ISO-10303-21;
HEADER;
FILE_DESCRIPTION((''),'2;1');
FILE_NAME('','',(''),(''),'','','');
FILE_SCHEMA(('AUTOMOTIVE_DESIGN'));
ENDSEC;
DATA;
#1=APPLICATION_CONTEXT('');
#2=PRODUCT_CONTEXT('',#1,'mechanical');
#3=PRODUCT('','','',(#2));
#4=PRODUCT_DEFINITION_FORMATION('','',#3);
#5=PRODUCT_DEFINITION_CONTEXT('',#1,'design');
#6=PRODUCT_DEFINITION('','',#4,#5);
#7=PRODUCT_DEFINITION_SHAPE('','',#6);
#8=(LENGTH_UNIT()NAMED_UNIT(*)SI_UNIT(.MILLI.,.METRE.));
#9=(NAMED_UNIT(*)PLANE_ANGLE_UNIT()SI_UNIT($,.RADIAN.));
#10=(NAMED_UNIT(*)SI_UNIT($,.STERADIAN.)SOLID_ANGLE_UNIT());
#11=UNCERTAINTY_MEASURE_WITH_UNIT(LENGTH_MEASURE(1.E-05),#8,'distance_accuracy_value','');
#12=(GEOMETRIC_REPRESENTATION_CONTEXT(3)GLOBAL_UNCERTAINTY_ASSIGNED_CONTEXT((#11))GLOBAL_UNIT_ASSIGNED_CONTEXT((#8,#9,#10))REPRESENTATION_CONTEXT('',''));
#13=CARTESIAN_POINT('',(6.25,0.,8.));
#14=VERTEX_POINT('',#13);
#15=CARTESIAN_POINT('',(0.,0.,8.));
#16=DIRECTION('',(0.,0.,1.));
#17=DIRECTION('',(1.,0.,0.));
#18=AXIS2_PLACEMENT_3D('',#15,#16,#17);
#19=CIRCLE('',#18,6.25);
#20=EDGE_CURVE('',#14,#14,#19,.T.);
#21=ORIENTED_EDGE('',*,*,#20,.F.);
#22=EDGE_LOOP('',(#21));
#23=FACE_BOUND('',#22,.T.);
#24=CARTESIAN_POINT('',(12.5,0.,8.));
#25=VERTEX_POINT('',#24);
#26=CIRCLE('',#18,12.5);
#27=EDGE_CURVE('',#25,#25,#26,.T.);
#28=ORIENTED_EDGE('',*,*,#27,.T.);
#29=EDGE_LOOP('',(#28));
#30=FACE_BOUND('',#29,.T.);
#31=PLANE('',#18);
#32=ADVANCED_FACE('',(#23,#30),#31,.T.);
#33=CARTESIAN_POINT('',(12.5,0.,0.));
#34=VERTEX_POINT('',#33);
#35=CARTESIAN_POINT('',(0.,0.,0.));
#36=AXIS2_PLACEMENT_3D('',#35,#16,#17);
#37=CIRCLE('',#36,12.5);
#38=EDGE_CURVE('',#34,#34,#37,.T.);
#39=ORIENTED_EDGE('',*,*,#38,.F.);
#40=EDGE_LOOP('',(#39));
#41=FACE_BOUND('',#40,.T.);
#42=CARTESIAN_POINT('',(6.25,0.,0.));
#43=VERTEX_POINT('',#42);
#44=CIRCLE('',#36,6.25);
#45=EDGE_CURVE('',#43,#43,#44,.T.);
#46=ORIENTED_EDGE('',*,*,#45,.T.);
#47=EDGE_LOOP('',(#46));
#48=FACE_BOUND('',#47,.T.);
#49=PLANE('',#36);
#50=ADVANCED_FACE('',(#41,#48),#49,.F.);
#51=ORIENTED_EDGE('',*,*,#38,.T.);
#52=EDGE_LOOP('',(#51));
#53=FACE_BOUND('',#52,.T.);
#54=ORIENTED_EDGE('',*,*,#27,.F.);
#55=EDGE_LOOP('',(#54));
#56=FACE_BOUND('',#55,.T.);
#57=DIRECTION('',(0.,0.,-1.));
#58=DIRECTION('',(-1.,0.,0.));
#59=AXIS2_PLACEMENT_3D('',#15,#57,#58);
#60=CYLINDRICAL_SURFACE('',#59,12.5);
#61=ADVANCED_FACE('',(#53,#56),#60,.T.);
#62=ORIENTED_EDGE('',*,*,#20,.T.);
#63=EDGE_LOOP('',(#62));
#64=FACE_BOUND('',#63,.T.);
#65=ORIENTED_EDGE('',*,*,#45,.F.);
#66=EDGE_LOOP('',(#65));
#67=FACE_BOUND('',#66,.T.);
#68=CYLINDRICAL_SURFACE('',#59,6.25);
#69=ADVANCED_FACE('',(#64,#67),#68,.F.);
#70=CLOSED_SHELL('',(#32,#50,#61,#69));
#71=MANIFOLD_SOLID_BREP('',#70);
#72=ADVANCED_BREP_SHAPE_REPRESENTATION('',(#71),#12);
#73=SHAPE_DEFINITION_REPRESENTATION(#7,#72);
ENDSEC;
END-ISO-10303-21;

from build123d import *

# Parameters (mm, degrees)
ESQUISSE1_R        = 12.5
ESQUISSE1_R_2      = 6.25
BOSS_EXTRU_1_DEPTH = 8


with BuildPart() as part:
    # Esquisse1 → Boss.-Extru.1 (new body)
    with BuildSketch(Plane.XY):
        Circle(ESQUISSE1_R)
        Circle(ESQUISSE1_R_2, mode=Mode.SUBTRACT)
    extrude(amount=BOSS_EXTRU_1_DEPTH)


solid = part.part
